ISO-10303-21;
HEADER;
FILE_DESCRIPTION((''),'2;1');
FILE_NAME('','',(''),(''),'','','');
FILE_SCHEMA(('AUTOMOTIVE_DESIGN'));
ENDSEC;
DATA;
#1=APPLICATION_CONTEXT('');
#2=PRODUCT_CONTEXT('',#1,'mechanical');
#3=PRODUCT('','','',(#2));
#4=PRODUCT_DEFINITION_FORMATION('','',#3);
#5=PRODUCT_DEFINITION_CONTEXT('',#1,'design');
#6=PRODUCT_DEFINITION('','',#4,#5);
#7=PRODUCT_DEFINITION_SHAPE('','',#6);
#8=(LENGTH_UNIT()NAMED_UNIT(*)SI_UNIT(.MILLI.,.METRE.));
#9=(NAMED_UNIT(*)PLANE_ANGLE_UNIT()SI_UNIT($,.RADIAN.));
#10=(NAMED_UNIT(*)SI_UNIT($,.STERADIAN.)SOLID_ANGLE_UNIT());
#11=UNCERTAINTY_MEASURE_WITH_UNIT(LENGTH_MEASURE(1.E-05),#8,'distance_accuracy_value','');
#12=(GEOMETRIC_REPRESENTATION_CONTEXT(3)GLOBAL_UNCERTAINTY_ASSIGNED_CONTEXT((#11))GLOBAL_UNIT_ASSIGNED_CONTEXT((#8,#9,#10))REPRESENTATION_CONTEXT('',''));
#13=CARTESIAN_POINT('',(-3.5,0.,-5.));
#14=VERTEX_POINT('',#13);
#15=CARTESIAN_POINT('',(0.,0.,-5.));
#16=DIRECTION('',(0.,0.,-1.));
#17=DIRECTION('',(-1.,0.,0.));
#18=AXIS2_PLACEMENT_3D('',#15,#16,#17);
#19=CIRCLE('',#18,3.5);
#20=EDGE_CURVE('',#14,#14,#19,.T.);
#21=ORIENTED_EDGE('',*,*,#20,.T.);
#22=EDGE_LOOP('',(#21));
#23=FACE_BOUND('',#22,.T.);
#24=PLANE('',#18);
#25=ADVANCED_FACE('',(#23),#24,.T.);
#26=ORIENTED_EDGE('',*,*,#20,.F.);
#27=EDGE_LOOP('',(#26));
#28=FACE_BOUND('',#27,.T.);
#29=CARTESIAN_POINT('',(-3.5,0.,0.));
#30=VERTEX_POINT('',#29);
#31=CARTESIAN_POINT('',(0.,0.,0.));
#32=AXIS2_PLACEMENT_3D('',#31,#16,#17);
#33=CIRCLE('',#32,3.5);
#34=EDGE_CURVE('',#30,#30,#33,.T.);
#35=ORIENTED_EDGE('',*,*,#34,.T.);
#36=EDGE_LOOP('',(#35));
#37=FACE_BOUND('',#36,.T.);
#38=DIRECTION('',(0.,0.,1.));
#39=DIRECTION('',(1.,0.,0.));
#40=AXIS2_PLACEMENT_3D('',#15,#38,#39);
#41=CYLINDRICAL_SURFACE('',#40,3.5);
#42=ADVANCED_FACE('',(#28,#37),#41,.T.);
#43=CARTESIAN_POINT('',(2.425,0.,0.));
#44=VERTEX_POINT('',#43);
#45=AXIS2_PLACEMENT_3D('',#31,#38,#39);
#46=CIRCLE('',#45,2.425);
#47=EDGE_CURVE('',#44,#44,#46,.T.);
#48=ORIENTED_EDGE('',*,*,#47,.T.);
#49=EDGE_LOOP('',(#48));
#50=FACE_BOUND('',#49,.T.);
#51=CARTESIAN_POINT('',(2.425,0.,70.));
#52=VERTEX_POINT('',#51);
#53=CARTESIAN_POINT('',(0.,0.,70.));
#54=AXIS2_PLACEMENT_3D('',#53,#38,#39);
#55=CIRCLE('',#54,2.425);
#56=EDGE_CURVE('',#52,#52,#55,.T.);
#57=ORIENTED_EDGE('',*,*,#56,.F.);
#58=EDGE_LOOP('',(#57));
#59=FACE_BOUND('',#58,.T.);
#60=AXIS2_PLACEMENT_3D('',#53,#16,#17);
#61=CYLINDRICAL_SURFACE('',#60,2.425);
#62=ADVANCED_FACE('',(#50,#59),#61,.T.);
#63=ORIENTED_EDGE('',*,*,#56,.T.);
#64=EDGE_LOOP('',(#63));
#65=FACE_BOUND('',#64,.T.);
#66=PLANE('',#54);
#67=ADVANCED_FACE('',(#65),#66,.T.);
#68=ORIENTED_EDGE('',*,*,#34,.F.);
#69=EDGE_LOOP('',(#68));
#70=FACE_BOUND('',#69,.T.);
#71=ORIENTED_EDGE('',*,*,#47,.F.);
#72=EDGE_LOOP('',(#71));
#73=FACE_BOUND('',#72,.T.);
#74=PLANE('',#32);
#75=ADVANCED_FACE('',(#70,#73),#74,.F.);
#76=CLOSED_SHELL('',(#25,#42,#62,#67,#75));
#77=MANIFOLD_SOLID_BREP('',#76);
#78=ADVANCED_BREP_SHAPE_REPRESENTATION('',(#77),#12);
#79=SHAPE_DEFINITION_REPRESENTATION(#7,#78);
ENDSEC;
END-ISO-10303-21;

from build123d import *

# Parameters (mm, degrees)
CROQUIS1_R              = 2.425
SALIENTE_EXTRUIR1_DEPTH = 70
CROQUIS2_R              = 3.5
SALIENTE_EXTRUIR2_DEPTH = 5


with BuildPart() as part:
    # Croquis1 → Saliente-Extruir1 (new body)
    with BuildSketch(Plane.XY):
        Circle(CROQUIS1_R)
    extrude(amount=SALIENTE_EXTRUIR1_DEPTH)

    # Croquis2 → Saliente-Extruir2 (add)
    with BuildSketch(Plane(origin=(0, 0, 0), x_dir=(-1, 0, 0), z_dir=(0, 0, -1))):
        Circle(CROQUIS2_R)
    extrude(amount=SALIENTE_EXTRUIR2_DEPTH)


solid = part.part
